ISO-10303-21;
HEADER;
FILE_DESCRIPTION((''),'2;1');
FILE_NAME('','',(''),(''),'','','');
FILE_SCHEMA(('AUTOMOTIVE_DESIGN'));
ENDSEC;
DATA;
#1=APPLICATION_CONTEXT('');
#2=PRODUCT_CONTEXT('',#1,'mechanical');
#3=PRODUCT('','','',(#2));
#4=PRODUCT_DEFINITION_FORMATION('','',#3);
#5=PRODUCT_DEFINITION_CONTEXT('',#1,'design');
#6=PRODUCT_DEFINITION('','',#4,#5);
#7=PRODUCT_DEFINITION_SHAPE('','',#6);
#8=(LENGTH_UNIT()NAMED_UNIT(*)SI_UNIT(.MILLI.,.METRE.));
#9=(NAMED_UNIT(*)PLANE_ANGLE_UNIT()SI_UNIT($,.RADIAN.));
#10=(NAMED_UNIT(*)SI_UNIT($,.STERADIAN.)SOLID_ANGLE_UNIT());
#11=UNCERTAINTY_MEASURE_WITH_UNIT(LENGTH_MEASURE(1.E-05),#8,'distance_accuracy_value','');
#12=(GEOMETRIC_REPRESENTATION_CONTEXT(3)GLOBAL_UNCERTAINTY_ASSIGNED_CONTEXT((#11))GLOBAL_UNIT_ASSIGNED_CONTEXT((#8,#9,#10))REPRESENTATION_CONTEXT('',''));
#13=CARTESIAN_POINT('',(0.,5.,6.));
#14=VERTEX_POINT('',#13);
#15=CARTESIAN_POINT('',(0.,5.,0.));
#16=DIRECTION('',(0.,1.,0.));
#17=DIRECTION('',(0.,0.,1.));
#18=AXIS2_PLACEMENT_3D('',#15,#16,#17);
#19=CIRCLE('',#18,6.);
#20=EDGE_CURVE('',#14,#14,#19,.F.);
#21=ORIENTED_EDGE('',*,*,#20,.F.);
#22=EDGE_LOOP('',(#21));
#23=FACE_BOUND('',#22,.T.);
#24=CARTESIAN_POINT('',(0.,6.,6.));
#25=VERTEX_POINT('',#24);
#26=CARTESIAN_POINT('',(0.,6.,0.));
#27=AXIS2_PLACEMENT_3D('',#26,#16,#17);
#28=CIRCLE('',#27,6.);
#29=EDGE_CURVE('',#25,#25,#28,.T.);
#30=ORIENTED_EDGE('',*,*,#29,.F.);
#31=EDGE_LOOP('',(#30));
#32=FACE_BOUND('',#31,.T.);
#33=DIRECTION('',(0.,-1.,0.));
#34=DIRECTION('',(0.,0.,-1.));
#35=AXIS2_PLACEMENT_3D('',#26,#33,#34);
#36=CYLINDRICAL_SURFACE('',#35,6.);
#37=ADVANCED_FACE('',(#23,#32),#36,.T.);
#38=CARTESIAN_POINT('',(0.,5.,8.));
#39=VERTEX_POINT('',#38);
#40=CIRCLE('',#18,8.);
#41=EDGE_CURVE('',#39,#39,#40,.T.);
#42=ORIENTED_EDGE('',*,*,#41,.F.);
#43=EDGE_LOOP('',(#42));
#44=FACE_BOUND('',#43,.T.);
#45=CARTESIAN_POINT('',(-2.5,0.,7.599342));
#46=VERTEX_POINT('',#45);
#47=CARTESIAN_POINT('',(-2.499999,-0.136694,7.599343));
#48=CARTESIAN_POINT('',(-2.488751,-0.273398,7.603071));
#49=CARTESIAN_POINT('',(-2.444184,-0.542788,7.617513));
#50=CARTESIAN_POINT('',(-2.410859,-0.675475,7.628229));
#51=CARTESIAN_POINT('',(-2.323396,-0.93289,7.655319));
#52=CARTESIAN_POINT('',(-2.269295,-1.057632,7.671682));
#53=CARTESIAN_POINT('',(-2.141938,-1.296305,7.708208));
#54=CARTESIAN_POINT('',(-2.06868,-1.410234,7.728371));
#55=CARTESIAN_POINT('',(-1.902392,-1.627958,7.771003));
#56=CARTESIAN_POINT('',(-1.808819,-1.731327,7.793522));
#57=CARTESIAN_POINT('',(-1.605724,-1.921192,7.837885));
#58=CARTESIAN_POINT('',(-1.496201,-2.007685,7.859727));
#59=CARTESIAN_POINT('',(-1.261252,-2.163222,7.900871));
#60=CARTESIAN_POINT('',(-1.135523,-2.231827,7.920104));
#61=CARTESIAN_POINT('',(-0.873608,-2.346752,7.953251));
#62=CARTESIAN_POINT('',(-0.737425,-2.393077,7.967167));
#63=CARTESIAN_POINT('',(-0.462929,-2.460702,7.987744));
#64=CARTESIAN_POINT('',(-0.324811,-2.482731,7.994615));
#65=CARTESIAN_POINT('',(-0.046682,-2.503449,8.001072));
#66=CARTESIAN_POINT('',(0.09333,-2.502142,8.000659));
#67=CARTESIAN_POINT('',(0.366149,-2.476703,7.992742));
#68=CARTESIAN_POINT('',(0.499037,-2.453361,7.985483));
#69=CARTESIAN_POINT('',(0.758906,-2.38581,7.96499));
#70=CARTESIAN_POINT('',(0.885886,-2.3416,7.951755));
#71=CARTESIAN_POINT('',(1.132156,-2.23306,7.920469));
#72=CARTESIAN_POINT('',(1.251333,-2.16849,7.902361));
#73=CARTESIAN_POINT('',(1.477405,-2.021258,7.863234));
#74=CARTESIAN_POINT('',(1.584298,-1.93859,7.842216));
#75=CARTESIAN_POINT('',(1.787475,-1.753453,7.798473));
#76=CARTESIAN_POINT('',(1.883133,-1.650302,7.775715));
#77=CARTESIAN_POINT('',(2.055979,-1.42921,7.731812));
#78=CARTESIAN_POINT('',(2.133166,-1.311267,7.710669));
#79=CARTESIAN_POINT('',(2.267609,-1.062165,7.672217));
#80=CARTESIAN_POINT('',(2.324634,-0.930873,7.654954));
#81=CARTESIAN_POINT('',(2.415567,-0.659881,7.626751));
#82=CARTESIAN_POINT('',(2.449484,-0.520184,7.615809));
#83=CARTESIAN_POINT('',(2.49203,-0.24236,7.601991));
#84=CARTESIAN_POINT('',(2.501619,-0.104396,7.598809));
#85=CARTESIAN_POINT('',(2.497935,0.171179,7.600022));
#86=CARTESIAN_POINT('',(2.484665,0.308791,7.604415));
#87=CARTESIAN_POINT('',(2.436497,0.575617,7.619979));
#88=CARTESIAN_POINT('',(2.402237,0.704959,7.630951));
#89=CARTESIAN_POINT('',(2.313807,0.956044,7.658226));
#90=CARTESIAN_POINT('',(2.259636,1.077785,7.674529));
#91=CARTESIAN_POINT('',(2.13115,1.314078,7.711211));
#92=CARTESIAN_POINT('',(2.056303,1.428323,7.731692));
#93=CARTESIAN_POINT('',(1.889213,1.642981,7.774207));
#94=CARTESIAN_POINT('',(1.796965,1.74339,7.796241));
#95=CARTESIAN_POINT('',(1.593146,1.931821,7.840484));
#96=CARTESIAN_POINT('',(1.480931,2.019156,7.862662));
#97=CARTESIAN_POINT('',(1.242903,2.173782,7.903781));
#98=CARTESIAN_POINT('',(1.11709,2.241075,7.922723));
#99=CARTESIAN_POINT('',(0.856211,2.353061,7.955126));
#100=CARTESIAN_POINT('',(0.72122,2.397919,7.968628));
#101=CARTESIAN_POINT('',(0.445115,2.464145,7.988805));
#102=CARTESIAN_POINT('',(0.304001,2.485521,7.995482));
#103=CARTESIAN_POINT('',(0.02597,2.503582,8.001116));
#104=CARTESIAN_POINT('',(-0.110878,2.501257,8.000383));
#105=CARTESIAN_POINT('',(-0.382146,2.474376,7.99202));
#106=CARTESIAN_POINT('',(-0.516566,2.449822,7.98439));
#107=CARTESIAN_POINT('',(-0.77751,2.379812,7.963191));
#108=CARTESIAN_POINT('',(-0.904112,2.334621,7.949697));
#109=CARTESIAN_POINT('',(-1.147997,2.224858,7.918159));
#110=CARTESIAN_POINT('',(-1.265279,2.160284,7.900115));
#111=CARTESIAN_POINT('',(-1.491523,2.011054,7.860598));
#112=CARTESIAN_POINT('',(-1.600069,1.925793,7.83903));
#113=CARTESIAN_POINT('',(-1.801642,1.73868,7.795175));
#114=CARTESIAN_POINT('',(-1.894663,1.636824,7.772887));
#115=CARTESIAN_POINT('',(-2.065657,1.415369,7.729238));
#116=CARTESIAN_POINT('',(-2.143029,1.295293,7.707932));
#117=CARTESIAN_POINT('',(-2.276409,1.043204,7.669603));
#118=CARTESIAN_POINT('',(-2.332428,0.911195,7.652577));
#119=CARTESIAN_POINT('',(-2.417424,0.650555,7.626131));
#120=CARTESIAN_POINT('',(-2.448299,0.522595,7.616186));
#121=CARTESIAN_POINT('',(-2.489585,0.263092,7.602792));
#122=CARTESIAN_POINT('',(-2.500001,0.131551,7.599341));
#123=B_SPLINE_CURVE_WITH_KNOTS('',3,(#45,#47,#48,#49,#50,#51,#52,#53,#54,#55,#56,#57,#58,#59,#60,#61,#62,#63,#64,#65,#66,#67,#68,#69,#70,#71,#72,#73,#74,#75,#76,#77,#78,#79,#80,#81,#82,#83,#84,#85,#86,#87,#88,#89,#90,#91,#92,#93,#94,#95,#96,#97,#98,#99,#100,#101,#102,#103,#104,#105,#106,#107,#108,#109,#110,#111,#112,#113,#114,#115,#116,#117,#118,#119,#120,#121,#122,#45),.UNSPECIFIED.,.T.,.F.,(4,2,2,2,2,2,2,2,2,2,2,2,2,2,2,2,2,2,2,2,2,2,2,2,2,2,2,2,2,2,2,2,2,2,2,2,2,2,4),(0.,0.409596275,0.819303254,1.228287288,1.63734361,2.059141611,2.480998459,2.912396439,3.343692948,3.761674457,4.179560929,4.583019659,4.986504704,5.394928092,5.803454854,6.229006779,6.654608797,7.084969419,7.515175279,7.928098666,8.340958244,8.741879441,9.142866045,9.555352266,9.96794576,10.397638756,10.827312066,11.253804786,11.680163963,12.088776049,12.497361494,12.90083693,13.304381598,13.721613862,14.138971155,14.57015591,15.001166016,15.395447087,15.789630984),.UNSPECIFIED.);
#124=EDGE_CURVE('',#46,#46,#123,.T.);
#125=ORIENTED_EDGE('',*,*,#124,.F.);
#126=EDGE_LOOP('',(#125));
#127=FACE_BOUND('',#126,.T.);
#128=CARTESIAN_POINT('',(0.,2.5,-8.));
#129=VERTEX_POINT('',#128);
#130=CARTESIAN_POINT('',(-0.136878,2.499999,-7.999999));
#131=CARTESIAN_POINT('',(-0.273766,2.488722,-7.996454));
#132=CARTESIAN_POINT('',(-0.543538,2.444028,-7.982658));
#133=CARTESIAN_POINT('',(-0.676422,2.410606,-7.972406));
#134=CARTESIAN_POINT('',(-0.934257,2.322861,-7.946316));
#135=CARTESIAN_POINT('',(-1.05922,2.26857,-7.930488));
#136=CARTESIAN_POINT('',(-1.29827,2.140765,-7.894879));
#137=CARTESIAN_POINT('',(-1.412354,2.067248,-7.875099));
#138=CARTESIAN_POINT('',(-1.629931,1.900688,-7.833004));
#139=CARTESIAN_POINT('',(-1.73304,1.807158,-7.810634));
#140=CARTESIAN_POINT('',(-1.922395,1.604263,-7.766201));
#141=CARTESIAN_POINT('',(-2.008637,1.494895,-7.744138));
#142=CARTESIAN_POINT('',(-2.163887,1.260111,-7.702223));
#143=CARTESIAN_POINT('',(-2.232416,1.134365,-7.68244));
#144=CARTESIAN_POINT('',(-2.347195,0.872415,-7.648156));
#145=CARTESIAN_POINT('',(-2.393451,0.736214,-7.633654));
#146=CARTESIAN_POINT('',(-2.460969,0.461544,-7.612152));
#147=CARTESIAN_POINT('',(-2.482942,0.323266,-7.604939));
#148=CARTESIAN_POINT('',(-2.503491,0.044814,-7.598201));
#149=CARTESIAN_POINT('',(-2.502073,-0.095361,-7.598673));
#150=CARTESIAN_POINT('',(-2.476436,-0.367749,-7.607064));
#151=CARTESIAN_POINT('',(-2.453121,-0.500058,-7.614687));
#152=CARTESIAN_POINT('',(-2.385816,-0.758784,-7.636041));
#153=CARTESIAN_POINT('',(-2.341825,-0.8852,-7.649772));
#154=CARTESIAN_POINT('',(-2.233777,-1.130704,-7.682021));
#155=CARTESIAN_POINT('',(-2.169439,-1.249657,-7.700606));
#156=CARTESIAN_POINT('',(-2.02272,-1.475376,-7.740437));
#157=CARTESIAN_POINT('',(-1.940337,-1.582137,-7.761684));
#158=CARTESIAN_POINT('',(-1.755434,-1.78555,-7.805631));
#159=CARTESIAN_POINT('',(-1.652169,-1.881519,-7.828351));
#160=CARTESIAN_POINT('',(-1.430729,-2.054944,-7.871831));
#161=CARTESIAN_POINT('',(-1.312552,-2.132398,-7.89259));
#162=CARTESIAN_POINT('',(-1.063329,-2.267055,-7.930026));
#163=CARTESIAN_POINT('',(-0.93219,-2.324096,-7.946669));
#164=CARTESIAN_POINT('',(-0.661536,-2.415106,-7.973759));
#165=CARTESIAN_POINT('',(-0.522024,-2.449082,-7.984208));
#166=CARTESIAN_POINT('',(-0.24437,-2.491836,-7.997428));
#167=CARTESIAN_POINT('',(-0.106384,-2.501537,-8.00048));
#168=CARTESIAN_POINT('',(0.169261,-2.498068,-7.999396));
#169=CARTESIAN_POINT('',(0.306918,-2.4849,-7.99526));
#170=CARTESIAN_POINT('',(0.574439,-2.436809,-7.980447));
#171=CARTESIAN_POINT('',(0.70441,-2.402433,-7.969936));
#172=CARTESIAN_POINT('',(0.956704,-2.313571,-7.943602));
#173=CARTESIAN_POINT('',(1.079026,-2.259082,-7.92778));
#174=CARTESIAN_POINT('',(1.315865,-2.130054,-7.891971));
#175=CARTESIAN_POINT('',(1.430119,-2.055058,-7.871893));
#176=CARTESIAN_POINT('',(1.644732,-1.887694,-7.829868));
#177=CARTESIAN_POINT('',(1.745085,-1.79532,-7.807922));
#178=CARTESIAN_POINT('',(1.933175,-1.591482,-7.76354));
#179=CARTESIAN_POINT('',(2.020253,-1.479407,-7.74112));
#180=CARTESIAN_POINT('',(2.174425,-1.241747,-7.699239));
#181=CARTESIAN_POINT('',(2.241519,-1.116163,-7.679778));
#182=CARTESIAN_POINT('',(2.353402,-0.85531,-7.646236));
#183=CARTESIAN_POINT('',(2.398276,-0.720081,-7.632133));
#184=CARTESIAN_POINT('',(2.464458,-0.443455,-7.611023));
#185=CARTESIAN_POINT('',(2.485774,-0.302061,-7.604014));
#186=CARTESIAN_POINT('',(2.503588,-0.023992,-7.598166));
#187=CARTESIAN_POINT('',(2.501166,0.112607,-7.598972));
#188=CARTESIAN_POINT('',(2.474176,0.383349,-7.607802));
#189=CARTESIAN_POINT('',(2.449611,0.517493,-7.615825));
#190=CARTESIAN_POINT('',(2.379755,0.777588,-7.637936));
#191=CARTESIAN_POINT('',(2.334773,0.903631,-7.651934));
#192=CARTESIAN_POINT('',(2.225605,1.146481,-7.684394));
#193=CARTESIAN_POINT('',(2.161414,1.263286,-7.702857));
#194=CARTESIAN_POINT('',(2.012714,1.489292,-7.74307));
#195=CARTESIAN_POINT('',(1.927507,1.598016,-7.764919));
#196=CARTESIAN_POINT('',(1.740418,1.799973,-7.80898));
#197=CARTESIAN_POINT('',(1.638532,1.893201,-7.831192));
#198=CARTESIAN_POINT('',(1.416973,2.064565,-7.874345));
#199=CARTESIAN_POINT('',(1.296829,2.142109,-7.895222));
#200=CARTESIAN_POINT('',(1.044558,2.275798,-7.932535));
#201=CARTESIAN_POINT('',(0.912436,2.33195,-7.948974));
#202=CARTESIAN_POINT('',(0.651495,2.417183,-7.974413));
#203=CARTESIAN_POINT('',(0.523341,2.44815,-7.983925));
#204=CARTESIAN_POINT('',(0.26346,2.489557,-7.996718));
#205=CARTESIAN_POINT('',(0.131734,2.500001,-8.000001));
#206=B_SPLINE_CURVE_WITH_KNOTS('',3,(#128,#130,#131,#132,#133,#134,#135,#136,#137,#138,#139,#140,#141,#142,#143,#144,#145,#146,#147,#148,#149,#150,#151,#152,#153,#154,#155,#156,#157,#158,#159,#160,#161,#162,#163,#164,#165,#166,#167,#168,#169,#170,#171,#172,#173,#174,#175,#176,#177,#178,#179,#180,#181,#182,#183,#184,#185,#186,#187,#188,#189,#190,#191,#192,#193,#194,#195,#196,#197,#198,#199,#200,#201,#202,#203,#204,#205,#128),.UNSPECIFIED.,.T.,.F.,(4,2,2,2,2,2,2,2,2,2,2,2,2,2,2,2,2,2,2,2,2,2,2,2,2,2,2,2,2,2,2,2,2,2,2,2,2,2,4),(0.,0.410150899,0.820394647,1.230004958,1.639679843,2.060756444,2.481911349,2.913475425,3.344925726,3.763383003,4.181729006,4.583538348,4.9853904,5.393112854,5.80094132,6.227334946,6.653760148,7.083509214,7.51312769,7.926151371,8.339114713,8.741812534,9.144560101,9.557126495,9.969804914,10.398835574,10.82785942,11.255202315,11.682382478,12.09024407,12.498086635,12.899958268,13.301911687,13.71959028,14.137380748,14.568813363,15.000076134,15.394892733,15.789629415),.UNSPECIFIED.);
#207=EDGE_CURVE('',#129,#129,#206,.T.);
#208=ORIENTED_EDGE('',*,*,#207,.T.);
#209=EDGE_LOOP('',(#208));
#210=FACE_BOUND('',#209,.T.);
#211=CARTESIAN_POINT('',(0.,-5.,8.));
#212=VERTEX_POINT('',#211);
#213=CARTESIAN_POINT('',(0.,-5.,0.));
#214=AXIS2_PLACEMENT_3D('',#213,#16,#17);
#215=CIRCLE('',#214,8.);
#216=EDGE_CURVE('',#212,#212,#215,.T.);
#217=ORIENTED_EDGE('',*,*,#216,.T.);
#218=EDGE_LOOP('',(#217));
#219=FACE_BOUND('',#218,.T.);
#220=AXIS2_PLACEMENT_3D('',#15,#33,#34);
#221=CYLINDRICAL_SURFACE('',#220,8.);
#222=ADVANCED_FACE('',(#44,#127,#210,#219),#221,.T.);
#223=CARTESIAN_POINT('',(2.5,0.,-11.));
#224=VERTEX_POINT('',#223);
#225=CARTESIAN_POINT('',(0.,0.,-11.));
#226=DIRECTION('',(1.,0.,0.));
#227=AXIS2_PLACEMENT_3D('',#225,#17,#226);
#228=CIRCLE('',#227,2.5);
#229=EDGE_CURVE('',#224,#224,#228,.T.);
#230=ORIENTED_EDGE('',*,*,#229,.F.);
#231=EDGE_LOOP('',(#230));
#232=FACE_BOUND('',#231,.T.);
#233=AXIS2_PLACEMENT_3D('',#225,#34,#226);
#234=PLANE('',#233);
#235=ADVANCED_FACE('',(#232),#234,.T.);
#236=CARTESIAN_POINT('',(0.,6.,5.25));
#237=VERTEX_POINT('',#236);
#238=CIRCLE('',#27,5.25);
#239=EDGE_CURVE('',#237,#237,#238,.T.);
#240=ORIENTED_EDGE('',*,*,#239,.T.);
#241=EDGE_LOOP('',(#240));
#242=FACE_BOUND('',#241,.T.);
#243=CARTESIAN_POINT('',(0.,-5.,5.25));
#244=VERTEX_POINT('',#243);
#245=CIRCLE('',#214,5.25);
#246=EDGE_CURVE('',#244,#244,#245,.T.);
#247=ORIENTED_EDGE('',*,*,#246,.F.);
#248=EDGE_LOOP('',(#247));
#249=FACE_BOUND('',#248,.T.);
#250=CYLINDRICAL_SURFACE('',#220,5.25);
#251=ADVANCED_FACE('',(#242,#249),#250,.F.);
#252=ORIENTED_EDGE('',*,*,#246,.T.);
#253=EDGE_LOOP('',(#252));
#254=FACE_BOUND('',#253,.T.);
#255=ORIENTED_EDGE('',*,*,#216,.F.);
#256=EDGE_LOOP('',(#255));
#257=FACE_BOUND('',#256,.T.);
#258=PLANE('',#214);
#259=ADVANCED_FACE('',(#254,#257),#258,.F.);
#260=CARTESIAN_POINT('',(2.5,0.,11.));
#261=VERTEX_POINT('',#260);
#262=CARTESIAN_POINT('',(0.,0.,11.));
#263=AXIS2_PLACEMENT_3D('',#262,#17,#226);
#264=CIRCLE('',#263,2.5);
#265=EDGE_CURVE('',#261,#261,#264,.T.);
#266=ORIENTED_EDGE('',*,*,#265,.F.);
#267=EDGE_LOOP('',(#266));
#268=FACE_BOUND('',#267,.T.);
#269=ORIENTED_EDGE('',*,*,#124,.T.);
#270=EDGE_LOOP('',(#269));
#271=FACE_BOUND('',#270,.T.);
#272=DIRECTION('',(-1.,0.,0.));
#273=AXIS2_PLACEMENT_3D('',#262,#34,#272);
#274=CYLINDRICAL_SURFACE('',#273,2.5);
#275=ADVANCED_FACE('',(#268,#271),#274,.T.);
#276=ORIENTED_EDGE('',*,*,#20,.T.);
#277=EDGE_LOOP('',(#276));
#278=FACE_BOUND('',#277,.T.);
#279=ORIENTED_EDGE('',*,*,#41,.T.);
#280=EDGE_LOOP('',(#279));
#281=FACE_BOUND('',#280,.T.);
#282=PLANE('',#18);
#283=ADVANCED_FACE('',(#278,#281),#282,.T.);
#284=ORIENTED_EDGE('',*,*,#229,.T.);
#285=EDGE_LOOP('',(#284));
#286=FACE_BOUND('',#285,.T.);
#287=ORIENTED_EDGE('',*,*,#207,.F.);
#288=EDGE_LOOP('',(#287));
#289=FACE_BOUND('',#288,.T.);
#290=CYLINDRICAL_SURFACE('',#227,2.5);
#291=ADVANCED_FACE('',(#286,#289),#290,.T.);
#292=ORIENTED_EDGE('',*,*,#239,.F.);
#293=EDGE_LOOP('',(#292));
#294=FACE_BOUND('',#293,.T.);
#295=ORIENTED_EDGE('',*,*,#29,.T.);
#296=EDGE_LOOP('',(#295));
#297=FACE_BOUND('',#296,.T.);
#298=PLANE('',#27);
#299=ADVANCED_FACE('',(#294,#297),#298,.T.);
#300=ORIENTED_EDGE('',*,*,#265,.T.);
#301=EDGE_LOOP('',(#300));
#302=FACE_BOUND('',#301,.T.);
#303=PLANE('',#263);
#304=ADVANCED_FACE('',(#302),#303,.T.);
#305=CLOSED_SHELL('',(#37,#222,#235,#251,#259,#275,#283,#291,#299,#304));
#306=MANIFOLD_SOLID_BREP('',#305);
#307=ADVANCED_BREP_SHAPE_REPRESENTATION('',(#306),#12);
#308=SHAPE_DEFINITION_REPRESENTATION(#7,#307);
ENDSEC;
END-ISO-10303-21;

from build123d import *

# Parameters (mm, degrees)
SKETCH1_R           = 8
SKETCH1_R_2         = 5.25
BOSS_EXTRUDE1_DEPTH = 5
SKETCH2_R           = 6
SKETCH2_R_2         = 5.25
BOSS_EXTRUDE2_DEPTH = 1
SKETCH3_R           = 2.5
BOSS_EXTRUDE3_DEPTH = 5


with BuildPart() as part:
    # Sketch1 → Boss-Extrude1 (new, symmetric)
    with BuildSketch(Plane(origin=(0, 0, 0), x_dir=(1, 0, 0), z_dir=(0, 1, 0))):
        with Locations(Location((0, 0, 0), (0, 0, 270))):
            Circle(SKETCH1_R)
        with Locations(Location((0, 0, 0), (0, 0, 270))):
            Circle(SKETCH1_R_2, mode=Mode.SUBTRACT)
    extrude(amount=BOSS_EXTRUDE1_DEPTH, both=True)

    # Sketch2 → Boss-Extrude2 (add, symmetric)
    with BuildSketch(Plane(origin=(0, 5, 0), x_dir=(1, 0, 0), z_dir=(0, 1, 0))):
        with Locations(Location((0, 0, 0), (0, 0, 270))):
            Circle(SKETCH2_R)
        with Locations(Location((0, 0, 0), (0, 0, 270))):
            Circle(SKETCH2_R_2, mode=Mode.SUBTRACT)
    extrude(amount=BOSS_EXTRUDE2_DEPTH, both=True)

    # Sketch3 → Boss-Extrude3 (add)
    with BuildSketch(Plane.XY.offset(6)):
        with Locations(Location((0, 0, 0), (0, 0, 180))):
            Circle(SKETCH3_R)
    boss_extrude3 = extrude(amount=BOSS_EXTRUDE3_DEPTH)

    # Mirror1: Boss-Extrude3 across plane
    add(boss_extrude3.mirror(Plane.XY))


solid = part.part
